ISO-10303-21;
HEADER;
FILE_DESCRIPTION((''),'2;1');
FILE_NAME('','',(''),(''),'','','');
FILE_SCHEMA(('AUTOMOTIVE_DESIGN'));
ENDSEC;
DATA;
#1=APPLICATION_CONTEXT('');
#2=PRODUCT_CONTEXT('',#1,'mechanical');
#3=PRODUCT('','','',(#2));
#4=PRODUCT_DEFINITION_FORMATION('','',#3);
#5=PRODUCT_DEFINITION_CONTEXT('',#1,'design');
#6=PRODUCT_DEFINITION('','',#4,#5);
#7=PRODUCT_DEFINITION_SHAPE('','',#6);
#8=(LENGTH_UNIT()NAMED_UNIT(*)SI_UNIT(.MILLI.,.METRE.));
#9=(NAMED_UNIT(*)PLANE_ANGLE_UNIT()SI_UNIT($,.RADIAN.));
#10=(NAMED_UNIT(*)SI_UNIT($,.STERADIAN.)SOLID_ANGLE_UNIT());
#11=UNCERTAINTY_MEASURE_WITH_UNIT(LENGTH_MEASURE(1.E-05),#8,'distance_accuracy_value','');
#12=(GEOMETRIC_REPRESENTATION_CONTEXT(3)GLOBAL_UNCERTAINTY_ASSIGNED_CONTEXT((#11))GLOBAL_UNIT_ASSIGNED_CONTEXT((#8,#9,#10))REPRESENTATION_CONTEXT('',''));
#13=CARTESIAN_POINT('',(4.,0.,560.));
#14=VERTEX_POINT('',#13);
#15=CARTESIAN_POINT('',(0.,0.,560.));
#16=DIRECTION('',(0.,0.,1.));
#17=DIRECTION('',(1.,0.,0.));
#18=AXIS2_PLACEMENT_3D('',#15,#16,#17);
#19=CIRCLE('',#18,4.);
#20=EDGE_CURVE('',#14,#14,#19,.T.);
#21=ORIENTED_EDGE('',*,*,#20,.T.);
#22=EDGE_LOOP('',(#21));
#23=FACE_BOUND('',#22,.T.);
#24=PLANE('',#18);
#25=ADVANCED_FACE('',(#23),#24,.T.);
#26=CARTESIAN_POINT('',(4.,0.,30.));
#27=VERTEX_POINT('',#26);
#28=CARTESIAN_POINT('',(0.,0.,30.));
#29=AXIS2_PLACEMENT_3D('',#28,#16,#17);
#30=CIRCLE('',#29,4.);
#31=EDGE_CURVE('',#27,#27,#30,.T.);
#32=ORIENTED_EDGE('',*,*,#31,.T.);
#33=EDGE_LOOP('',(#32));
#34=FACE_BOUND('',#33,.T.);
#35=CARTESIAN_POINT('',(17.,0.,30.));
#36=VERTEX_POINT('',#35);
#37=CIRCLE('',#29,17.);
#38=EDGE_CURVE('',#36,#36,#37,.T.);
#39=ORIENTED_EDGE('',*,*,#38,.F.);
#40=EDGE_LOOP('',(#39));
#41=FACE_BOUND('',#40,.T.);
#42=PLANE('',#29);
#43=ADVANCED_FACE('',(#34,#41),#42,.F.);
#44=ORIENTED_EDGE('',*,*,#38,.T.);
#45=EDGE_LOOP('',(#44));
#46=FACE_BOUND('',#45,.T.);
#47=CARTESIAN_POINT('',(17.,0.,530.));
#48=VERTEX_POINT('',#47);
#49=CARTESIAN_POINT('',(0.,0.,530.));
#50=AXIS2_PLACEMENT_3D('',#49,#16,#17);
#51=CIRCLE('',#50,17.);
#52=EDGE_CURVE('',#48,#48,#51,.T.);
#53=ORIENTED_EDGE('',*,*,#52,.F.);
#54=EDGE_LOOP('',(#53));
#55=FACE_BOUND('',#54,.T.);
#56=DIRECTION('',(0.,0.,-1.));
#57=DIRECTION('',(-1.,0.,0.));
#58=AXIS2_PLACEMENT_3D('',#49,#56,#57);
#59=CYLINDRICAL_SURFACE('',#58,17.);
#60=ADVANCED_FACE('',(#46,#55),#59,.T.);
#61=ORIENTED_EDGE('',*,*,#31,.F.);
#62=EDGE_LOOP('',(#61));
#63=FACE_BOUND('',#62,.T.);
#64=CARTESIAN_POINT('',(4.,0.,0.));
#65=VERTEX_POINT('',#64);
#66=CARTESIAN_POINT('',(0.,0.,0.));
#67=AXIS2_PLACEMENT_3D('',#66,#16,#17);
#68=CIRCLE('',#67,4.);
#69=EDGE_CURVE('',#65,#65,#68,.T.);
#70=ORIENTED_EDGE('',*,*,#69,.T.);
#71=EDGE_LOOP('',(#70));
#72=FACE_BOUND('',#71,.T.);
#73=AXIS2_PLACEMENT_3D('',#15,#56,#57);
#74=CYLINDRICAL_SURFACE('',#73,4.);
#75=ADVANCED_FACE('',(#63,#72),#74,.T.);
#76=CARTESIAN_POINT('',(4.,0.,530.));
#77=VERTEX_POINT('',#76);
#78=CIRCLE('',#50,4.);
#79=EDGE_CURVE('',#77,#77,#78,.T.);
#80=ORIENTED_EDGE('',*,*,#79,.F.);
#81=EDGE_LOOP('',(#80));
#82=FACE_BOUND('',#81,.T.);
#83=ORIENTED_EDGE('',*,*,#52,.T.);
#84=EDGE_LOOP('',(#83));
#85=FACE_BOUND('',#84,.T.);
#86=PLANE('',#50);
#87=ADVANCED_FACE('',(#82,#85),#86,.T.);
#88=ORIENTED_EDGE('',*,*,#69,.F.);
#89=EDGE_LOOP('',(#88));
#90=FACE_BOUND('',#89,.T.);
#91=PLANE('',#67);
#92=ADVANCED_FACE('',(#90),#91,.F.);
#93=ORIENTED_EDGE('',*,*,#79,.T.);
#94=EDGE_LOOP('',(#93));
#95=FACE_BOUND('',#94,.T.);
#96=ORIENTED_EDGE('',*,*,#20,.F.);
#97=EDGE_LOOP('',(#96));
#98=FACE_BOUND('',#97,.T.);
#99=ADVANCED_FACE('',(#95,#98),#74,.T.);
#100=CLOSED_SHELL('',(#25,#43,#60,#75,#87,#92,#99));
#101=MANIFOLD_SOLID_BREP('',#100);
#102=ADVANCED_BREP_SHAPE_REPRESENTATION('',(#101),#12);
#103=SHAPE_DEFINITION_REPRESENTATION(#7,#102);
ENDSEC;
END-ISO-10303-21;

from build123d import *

# Parameters (mm, degrees)
SKETCH1_R           = 4
BOSS_EXTRUDE1_DEPTH = 560
SKETCH2_R           = 17
BOSS_EXTRUDE2_DEPTH = 250


with BuildPart() as part:
    # Sketch1 → Boss-Extrude1 (new body)
    with BuildSketch(Plane.XY):
        Circle(SKETCH1_R)
    extrude(amount=BOSS_EXTRUDE1_DEPTH)

    # Sketch2 → Boss-Extrude2 (add, symmetric)
    with BuildSketch(Plane.XY.offset(280)):
        Circle(SKETCH2_R)
    extrude(amount=BOSS_EXTRUDE2_DEPTH, both=True)


solid = part.part
